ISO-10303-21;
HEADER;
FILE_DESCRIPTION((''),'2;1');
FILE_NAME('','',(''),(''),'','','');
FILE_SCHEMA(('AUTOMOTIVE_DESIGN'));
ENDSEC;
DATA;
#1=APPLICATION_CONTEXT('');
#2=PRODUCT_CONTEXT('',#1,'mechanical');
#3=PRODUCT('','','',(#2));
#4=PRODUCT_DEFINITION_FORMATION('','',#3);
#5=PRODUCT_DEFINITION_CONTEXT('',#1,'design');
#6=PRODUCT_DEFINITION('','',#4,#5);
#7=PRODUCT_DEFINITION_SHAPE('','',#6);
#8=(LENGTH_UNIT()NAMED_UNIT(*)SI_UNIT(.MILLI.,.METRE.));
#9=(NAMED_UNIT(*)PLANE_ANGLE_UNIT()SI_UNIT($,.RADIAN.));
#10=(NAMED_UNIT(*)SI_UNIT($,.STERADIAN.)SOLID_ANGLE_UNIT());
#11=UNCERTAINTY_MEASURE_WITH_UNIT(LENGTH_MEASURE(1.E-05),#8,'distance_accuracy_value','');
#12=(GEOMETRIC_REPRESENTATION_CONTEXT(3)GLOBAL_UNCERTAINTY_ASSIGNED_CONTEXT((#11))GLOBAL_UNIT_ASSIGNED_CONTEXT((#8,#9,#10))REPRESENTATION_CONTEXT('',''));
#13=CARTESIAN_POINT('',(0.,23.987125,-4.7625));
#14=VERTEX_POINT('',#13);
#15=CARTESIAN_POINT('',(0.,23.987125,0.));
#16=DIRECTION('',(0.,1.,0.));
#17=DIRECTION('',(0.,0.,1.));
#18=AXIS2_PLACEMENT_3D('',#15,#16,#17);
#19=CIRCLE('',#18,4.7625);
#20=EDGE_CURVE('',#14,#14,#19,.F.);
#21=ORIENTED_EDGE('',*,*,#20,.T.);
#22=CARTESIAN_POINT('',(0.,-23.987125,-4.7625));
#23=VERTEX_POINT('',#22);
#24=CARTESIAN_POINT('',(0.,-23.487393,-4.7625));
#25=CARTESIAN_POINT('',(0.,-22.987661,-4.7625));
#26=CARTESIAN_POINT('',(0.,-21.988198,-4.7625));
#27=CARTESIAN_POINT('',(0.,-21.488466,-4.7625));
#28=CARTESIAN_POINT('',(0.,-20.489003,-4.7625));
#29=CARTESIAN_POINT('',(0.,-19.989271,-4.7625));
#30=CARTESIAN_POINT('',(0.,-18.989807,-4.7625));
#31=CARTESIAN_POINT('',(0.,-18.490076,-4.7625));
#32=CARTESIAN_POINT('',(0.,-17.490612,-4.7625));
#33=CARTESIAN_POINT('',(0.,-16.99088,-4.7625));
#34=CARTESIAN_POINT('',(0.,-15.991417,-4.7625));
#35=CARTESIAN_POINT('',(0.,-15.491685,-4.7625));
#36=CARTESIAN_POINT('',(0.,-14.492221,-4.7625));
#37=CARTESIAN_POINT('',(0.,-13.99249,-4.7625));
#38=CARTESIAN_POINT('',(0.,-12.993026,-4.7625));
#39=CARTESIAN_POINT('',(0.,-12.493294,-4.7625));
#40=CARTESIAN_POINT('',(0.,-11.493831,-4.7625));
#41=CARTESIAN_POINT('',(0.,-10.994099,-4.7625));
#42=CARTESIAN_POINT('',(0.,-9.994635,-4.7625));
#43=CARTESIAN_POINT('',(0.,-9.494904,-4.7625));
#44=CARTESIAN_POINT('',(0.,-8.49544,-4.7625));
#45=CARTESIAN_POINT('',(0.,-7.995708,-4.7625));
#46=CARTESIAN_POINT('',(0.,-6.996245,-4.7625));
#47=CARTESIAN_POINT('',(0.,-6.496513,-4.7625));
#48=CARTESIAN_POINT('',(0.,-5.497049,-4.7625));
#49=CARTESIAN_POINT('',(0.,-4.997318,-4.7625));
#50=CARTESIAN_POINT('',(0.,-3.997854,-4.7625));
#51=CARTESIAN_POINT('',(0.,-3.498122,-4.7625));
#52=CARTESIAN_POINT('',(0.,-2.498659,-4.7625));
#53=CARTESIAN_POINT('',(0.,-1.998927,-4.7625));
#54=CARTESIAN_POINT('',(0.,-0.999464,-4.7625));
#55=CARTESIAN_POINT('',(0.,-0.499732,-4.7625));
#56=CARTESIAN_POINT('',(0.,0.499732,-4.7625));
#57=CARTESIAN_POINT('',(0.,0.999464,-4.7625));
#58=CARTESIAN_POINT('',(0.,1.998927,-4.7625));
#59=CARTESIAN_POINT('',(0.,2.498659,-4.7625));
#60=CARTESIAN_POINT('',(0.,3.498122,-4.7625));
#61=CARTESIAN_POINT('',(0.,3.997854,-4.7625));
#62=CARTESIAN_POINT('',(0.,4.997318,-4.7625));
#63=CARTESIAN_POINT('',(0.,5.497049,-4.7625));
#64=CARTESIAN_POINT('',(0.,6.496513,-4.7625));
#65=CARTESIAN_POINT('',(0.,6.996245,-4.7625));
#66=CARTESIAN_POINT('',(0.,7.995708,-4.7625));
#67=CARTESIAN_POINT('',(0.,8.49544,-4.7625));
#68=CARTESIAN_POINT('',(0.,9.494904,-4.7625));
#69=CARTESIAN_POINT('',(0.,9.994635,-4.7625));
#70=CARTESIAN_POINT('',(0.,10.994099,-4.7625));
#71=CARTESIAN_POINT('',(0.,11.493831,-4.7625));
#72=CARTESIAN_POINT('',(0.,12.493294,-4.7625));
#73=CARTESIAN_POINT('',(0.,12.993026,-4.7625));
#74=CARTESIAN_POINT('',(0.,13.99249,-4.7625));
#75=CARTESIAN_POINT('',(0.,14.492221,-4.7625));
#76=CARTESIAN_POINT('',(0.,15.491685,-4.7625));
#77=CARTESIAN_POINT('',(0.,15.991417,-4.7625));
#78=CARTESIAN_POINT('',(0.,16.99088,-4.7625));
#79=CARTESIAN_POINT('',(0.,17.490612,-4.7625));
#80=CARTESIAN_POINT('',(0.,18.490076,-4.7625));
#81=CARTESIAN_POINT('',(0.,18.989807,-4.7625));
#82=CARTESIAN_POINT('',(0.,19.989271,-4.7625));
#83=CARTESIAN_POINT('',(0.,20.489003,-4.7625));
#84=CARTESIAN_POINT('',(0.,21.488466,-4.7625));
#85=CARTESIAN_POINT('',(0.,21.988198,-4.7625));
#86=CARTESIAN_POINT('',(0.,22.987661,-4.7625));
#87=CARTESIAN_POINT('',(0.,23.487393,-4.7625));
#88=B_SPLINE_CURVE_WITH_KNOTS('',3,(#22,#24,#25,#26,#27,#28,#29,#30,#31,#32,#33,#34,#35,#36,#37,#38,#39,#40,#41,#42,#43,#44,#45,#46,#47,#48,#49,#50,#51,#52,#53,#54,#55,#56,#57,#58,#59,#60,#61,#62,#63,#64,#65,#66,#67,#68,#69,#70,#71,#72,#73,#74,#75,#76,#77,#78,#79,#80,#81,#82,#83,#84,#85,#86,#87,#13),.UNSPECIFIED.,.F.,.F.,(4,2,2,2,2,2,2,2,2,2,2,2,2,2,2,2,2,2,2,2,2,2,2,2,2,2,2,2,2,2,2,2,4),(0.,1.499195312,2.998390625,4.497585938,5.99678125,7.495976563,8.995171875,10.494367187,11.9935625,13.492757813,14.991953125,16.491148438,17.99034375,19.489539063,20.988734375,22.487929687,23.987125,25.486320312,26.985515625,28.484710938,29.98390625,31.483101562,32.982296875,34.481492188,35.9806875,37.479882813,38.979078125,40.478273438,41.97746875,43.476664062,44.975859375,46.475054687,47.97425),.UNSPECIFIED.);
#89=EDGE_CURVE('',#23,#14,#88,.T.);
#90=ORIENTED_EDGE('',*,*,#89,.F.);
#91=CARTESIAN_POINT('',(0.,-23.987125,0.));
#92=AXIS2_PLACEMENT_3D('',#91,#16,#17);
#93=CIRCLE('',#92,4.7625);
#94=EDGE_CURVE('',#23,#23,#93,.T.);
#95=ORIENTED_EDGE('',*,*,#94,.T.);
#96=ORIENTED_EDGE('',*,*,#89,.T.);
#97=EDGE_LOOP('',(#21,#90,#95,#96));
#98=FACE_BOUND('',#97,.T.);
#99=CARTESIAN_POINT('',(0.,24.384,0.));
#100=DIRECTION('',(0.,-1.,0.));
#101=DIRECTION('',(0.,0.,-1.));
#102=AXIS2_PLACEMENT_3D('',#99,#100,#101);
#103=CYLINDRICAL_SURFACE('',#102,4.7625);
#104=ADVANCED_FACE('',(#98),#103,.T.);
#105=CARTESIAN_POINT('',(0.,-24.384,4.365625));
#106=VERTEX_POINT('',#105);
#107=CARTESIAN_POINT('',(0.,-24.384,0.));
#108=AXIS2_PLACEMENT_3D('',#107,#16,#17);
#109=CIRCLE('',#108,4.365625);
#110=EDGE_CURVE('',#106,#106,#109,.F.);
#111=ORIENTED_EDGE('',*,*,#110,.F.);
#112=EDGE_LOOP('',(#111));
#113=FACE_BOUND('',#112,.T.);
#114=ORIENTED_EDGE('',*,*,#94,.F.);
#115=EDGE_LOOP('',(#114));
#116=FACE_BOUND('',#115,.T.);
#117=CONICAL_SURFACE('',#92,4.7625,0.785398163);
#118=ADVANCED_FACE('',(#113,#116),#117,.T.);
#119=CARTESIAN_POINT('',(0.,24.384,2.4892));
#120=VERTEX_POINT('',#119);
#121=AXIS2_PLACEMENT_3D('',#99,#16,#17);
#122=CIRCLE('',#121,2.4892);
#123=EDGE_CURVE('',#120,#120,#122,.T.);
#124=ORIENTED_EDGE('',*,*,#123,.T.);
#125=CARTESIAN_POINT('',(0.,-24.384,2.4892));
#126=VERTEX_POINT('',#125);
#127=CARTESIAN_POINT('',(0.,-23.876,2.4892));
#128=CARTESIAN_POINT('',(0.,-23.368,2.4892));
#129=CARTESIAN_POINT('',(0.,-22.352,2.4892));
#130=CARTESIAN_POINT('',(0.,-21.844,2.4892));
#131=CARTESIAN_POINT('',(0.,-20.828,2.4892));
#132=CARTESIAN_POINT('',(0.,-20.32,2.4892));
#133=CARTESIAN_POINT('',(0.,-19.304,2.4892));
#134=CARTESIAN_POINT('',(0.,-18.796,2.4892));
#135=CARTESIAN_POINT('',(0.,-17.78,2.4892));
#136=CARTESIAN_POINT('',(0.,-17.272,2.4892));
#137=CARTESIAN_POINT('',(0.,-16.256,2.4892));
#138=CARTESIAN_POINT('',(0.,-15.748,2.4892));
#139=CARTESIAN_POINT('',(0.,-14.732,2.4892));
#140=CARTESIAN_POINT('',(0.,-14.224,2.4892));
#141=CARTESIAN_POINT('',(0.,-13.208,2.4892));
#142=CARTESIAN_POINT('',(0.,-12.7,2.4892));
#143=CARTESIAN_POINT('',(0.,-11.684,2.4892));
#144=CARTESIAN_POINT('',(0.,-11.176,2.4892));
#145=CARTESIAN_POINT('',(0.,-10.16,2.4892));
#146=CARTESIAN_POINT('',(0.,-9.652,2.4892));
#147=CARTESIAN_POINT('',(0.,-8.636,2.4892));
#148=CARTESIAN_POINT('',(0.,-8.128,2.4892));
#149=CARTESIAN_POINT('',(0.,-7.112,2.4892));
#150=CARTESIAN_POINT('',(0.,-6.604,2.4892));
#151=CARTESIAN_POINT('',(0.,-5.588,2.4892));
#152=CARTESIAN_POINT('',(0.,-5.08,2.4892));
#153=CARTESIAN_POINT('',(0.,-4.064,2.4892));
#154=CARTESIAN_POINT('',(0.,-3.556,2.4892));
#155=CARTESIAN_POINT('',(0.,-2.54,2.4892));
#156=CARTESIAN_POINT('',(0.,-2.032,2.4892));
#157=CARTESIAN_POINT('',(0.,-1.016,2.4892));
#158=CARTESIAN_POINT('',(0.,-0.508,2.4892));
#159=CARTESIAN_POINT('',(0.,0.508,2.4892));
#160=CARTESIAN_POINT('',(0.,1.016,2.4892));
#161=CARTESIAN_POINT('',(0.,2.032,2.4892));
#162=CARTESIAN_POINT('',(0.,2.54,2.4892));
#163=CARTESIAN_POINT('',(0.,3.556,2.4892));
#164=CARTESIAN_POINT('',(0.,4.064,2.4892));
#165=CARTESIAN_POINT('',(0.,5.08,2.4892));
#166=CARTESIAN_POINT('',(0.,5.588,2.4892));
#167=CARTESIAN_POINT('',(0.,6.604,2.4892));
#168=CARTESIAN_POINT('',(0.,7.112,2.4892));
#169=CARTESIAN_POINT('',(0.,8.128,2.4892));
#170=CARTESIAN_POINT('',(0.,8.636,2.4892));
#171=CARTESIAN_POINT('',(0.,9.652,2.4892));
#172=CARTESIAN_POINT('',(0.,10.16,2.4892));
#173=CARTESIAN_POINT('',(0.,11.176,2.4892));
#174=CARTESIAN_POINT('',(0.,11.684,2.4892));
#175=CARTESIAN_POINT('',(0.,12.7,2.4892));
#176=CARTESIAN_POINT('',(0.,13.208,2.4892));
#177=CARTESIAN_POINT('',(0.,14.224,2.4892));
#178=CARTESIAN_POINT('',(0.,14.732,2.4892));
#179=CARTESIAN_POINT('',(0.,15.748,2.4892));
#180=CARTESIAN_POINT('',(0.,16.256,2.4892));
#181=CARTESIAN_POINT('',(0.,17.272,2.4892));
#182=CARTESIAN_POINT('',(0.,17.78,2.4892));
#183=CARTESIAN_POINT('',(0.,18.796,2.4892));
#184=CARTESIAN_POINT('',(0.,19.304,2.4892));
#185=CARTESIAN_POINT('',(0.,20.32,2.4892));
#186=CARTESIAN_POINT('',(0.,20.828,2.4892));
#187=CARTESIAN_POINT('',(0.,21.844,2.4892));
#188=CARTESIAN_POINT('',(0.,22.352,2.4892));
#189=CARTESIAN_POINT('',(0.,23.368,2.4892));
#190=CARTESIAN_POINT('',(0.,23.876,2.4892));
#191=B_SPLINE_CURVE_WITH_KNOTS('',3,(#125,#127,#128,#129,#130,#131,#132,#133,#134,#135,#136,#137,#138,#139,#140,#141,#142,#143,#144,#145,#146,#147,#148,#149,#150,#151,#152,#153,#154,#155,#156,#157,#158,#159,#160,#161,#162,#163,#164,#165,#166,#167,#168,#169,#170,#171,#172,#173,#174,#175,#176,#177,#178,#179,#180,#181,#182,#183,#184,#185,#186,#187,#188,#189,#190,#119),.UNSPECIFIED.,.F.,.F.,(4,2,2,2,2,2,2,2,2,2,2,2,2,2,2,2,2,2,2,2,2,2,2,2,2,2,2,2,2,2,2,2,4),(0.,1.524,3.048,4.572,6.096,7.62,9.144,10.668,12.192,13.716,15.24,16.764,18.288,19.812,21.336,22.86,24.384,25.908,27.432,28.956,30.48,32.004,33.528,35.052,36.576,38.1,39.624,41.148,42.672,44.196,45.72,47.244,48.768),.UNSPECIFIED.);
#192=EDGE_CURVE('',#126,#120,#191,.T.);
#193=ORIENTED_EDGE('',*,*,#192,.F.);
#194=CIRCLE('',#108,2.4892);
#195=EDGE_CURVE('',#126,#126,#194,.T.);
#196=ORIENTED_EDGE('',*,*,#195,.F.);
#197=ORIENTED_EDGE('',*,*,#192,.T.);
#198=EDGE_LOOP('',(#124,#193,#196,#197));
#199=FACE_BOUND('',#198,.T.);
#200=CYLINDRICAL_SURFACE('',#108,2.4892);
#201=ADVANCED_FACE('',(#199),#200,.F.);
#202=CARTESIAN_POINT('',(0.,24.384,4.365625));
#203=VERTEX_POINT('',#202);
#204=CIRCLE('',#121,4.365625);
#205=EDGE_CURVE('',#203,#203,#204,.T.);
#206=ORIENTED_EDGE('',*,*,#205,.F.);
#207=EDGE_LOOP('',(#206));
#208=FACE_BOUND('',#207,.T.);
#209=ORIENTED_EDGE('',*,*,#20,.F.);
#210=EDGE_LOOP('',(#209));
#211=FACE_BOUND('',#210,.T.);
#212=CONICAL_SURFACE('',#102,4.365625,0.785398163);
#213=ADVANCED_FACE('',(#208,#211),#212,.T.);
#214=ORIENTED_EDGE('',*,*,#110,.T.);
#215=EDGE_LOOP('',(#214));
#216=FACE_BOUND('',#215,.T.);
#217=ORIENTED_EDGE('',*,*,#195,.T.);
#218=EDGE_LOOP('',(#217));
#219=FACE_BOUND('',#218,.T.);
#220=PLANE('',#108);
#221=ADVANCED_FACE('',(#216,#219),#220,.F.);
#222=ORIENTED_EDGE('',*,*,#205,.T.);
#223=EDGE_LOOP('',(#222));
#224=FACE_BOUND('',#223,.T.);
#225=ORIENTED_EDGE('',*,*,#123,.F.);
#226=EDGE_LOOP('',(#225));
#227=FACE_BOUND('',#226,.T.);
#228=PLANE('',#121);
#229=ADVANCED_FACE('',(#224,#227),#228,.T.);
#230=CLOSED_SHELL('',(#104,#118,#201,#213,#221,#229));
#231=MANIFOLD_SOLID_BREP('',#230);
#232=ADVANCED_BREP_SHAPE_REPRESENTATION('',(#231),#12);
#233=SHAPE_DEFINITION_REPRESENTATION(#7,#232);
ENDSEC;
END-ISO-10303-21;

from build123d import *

# Parameters (mm, degrees)
CROQUIS2_R                = 4.7625
SALIENTE_EXTRUIR1_DEPTH   = 24.384
CHAFL_N1_SIZE             = 0.396875
CLEARANCE_HOLE_DEPTH      = 26.297080237
CLEARANCE_HOLE_DEPTH_BACK = 26.297080237
CROQUIS4_R                = 2.4892


with BuildPart() as part:
    # Croquis2 → Saliente-Extruir1 (new, symmetric)
    with BuildSketch(Plane(origin=(0, 0, 0), x_dir=(1, 0, 0), z_dir=(0, 1, 0))):
        Circle(CROQUIS2_R)
    extrude(amount=SALIENTE_EXTRUIR1_DEPTH, both=True)

    # Chaflán1
    chafl_n1_edges = [part.edges().sort_by_distance(p)[0] for p in [
        (-4.7625, -24.384, 0),
        (-4.7625, 24.384, 0),
    ]]
    chamfer(chafl_n1_edges, length=CHAFL_N1_SIZE)

    # Croquis4 → Clearance Hole (cut, two sides: drawn at the far end of the back side and taken through both)
    with BuildSketch(Plane(origin=(0, 0, 0), x_dir=(1, 0, 0), z_dir=(0, 1, 0)).offset(-CLEARANCE_HOLE_DEPTH_BACK)):
        Circle(CROQUIS4_R)
    extrude(amount=CLEARANCE_HOLE_DEPTH + CLEARANCE_HOLE_DEPTH_BACK, mode=Mode.SUBTRACT)


solid = part.part
